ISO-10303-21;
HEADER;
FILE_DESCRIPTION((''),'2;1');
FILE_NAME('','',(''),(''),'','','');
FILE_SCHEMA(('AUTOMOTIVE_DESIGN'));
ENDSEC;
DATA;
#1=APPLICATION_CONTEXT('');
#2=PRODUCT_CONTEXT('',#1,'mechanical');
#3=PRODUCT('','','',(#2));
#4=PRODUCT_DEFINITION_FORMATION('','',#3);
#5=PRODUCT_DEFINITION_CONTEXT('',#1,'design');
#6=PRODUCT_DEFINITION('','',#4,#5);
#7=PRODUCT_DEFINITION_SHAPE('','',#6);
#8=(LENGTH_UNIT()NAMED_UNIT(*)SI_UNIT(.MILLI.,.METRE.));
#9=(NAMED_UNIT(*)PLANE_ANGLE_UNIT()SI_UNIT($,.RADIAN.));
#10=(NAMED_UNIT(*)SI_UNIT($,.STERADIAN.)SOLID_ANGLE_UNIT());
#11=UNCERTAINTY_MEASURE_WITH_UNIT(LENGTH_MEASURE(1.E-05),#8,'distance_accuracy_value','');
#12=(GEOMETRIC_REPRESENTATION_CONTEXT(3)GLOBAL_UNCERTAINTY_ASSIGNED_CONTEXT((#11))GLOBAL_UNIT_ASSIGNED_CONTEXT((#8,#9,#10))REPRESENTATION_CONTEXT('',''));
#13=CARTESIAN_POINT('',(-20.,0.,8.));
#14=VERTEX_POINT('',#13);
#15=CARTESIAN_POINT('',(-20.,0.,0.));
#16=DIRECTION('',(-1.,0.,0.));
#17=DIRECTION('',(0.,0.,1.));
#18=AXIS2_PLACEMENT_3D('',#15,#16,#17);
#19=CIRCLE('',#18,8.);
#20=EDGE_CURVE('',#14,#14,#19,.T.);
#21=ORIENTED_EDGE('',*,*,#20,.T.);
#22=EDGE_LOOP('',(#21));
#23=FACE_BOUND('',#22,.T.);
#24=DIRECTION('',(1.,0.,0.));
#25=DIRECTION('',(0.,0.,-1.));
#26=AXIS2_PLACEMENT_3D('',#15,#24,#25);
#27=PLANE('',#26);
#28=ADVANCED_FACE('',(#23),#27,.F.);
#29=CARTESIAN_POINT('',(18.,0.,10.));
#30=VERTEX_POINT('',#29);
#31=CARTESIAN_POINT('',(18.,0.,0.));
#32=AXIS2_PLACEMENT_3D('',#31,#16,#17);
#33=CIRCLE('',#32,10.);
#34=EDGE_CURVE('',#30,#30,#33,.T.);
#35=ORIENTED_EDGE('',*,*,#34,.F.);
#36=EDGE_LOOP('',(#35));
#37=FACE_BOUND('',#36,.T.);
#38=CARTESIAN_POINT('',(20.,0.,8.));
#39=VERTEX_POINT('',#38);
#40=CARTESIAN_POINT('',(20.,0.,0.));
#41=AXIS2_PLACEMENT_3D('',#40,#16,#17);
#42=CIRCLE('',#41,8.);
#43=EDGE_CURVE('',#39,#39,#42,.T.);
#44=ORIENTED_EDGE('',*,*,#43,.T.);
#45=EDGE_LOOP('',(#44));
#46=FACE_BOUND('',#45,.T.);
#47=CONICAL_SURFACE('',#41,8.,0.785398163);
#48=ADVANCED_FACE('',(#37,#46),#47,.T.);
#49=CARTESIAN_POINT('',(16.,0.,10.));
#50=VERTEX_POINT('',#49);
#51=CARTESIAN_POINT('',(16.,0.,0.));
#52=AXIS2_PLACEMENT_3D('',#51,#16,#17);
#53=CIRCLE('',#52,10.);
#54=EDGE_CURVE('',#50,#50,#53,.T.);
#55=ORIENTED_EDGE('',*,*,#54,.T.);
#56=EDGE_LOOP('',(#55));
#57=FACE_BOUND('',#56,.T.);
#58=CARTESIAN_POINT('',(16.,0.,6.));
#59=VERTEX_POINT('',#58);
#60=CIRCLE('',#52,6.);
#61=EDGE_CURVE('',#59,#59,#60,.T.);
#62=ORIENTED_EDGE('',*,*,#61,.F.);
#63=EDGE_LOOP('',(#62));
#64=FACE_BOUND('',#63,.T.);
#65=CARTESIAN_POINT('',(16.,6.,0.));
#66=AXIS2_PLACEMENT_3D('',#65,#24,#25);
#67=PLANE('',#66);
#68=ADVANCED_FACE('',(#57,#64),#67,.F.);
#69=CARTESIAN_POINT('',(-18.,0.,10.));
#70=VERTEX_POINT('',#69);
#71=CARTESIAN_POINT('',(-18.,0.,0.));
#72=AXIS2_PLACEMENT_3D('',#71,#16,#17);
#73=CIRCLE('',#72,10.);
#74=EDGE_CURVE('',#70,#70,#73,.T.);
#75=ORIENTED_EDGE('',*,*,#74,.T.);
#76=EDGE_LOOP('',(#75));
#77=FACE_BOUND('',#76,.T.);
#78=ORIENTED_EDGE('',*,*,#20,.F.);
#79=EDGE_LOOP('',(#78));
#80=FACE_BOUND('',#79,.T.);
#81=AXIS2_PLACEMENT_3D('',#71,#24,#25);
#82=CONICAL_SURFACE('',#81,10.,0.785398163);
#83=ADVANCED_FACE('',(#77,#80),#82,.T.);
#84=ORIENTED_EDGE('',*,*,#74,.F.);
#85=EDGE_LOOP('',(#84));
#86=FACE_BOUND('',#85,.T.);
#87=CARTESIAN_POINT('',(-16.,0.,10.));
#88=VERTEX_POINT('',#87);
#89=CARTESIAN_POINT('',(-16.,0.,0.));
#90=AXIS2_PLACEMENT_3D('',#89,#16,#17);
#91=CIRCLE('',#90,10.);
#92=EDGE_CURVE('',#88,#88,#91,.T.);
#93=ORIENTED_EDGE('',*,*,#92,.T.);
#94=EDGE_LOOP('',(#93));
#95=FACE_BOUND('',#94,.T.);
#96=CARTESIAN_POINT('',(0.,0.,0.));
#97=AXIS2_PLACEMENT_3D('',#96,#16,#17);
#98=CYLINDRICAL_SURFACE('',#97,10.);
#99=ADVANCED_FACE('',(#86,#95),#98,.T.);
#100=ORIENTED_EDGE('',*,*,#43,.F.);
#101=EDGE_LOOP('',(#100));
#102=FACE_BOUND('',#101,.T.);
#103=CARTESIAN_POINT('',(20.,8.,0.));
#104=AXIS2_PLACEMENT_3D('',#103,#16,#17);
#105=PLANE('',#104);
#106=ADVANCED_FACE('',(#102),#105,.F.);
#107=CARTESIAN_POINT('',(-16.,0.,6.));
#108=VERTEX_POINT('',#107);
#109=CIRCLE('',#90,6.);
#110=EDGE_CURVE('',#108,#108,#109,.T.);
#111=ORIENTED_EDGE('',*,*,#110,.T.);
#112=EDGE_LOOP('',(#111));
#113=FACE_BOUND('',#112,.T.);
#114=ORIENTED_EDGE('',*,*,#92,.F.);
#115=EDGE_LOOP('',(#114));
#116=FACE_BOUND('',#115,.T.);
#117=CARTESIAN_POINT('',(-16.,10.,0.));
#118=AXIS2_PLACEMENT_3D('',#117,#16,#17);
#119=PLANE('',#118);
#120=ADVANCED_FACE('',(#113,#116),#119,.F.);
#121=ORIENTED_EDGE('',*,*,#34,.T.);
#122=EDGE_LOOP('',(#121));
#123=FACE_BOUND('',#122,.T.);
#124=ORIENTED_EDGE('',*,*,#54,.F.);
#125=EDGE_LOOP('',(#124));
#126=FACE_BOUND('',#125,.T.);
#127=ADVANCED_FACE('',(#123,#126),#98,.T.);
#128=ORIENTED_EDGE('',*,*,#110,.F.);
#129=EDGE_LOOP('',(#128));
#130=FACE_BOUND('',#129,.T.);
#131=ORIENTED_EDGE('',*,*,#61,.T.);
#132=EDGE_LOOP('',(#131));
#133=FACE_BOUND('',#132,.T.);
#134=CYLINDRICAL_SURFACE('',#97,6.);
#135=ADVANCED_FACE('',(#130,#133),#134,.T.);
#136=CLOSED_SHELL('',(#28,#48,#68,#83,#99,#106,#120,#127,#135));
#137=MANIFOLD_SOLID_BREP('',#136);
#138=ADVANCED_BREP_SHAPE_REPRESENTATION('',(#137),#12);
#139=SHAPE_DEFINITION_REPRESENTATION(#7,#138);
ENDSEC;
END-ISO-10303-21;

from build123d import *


with BuildPart() as part:
    # Sketch1 → Revolve1 (revolve)
    with BuildSketch(Plane.XY, mode=Mode.PRIVATE) as revolve1_sk:
        Polygon((-20, 0), (-20, 8), (-18, 10), (-16, 10), (-16, 6), (16, 6), (16, 10), (18, 10), (20, 8), (20, 0), align=None)
    revolve(revolve1_sk.sketch.rotate(Axis((0, 0, 0), (1, 0, 0)), 90), axis=Axis((0, 0, 0), (1, 0, 0)))


solid = part.part
